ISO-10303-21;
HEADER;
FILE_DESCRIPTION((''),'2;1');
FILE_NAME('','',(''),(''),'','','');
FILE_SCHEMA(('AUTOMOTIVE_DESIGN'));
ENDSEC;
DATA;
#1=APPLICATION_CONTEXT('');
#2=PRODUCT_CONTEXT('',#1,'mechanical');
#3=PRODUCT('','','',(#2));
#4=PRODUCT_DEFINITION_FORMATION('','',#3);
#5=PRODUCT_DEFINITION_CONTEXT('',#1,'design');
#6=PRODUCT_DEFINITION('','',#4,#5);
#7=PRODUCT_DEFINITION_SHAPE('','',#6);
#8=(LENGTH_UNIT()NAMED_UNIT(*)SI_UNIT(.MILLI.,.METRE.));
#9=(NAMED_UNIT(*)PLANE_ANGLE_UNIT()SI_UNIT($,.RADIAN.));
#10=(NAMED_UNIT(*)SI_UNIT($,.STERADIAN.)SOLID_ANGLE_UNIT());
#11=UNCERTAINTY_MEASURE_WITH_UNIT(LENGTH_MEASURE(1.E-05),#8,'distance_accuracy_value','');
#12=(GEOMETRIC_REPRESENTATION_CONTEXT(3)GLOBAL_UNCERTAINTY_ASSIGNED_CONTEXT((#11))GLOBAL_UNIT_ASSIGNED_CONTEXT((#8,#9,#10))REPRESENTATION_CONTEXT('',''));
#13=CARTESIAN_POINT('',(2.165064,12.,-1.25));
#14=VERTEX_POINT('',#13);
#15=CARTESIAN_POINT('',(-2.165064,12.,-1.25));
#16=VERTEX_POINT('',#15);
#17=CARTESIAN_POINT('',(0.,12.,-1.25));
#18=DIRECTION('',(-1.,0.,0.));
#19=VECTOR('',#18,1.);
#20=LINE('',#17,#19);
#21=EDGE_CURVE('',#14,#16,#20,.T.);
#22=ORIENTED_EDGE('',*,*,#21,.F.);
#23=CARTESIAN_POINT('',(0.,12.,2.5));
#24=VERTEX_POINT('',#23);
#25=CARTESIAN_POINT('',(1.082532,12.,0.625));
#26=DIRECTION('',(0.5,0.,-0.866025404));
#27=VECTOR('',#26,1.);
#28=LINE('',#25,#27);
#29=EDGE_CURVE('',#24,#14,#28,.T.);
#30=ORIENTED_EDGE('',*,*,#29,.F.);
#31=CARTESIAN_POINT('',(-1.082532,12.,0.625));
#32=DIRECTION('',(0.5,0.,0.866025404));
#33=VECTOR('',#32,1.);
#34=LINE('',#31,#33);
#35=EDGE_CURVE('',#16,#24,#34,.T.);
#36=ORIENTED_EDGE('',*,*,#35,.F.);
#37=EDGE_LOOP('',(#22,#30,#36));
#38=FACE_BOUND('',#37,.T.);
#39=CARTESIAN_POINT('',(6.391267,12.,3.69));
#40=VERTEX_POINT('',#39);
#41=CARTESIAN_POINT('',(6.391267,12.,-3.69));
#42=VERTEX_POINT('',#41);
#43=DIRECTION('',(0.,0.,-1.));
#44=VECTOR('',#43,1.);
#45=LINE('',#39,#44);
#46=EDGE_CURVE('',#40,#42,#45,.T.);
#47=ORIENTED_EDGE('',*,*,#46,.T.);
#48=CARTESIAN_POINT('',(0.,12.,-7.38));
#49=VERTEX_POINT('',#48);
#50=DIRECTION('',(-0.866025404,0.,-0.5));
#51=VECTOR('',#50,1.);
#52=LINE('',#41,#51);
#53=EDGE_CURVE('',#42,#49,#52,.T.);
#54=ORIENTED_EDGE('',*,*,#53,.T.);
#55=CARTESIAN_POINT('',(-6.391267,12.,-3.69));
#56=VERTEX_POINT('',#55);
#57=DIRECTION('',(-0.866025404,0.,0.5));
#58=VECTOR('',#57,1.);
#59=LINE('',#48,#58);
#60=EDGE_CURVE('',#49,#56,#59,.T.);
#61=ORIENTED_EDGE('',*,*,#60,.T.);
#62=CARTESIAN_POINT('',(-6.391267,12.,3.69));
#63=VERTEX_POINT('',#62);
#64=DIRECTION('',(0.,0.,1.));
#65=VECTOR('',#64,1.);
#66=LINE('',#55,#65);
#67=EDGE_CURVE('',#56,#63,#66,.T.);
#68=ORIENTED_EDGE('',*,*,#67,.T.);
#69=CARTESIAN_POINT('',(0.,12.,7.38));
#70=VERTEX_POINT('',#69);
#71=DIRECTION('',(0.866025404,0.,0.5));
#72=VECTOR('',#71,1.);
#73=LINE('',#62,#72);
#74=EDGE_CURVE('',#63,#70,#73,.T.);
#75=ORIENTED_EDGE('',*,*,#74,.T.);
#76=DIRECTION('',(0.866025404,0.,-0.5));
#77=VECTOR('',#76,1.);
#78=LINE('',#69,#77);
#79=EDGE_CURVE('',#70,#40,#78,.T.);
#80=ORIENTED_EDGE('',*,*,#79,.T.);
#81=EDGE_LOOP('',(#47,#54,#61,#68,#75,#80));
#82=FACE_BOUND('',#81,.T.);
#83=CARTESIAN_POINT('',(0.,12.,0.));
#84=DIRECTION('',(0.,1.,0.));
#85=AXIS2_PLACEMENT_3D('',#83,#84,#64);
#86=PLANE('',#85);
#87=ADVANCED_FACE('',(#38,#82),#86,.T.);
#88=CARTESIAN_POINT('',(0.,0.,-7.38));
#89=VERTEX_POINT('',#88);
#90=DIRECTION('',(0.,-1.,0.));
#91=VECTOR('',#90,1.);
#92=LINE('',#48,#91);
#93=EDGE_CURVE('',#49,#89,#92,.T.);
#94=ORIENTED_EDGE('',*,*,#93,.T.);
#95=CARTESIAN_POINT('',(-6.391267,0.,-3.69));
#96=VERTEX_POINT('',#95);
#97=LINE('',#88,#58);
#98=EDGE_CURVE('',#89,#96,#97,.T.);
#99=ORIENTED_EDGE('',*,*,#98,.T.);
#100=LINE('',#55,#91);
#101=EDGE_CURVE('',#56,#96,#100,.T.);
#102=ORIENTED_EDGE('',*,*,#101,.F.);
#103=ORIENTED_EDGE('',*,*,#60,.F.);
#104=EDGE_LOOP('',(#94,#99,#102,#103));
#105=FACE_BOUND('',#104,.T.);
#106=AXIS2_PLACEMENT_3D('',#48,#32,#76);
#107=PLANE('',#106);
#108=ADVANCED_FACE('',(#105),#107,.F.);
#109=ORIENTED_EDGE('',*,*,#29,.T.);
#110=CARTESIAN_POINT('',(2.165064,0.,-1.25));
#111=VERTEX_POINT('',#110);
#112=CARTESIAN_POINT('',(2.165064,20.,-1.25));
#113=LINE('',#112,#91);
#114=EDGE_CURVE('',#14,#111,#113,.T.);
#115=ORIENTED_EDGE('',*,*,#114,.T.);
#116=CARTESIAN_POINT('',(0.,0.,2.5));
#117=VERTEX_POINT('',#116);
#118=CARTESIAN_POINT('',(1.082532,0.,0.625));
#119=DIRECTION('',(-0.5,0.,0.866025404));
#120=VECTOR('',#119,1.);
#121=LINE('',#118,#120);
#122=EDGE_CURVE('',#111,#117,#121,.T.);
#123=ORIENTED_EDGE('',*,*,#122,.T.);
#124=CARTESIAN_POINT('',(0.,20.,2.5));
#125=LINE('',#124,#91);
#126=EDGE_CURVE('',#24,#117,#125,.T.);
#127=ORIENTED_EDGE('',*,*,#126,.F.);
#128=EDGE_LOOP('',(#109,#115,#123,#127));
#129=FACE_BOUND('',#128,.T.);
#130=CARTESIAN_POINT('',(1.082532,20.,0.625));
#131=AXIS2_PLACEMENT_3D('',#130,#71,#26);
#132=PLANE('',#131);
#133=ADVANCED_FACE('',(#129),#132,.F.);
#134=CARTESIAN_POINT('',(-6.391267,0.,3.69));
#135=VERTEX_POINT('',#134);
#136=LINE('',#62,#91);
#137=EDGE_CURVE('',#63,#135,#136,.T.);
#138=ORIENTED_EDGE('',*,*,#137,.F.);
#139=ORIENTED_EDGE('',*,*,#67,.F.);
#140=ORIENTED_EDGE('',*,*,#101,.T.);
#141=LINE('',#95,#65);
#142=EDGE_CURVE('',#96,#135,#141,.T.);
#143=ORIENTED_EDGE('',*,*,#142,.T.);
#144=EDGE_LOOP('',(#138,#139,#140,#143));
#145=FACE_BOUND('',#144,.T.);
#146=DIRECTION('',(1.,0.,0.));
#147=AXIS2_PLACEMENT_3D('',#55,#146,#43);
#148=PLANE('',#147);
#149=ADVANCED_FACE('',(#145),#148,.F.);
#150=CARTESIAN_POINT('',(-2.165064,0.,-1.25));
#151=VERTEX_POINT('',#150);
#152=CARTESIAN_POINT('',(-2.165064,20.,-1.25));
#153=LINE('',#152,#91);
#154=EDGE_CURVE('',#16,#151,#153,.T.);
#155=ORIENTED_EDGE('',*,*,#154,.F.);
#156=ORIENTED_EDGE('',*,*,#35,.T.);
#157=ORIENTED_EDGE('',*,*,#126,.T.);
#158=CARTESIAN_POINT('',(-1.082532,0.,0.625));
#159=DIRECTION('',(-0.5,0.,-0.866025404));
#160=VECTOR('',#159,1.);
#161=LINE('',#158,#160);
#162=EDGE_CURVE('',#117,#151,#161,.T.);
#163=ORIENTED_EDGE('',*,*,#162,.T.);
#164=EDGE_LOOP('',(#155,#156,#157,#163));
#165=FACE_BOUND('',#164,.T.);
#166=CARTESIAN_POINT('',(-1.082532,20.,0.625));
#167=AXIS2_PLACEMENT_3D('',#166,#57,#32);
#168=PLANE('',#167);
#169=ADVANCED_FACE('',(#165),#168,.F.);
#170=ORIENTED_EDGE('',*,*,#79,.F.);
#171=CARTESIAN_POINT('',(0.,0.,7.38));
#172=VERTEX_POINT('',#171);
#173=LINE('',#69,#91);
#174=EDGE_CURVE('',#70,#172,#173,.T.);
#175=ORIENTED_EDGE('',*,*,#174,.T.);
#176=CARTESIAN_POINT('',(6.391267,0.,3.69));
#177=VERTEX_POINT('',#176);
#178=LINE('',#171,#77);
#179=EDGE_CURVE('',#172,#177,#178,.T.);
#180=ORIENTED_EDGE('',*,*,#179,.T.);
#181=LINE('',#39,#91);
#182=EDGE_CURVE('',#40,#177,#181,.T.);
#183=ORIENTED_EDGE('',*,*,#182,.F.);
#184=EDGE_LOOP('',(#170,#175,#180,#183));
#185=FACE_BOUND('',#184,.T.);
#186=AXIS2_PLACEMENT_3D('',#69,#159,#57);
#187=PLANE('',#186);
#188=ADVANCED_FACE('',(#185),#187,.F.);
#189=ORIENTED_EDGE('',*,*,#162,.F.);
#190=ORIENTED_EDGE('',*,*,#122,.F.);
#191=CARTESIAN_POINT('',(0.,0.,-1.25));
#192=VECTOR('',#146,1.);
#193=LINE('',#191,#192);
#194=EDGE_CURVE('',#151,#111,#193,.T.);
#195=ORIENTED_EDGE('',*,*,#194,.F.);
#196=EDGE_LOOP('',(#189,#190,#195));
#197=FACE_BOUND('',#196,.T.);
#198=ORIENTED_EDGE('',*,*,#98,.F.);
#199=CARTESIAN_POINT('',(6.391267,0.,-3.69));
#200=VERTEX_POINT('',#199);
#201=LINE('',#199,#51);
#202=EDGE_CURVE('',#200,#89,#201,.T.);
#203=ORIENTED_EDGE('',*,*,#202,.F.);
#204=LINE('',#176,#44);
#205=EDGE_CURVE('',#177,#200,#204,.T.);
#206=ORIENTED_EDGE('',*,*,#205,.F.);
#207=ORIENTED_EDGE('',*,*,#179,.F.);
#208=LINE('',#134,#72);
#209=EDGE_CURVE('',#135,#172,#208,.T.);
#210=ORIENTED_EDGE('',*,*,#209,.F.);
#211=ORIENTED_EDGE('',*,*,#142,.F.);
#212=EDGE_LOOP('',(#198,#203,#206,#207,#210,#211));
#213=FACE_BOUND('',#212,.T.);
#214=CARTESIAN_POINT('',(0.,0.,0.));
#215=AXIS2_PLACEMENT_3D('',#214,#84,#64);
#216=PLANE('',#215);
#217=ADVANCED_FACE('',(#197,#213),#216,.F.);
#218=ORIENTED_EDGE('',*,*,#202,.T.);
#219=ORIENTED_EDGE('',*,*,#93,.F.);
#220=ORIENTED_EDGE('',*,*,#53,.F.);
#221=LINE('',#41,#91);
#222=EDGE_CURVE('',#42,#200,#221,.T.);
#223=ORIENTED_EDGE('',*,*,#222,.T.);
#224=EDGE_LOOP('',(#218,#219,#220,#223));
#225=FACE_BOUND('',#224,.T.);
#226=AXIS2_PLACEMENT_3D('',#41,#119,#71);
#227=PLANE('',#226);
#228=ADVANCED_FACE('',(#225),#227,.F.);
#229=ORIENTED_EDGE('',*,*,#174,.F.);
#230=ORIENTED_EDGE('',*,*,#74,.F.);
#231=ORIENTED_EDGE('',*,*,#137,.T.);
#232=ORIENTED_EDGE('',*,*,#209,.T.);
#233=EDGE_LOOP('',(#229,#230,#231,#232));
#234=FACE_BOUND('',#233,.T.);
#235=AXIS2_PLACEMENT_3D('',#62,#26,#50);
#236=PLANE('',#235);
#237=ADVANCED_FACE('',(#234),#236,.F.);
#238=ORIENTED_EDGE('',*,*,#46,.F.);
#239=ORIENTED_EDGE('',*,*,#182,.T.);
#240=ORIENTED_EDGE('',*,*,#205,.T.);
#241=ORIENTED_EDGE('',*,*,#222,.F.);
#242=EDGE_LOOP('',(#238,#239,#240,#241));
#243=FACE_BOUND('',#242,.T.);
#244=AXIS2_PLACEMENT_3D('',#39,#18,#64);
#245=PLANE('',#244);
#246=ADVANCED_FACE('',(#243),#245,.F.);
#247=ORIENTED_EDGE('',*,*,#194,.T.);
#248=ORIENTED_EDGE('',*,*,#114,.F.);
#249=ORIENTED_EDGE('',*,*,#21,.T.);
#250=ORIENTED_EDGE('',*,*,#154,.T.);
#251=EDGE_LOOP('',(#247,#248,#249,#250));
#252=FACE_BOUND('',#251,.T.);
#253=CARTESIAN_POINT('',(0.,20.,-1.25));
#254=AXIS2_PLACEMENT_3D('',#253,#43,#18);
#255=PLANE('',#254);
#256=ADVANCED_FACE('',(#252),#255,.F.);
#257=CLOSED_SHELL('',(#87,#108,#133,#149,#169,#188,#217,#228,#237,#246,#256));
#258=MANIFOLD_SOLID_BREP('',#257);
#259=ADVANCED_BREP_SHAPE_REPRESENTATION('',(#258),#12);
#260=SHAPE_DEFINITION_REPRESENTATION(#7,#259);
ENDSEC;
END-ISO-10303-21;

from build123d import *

# Parameters (mm, degrees)
BOSS_EXTRUDE1_DEPTH = 12
CUT_EXTRUDE1_DEPTH  = 20


with BuildPart() as part:
    # Sketch1 → Boss-Extrude1 (new body)
    with BuildSketch(Plane(origin=(0, 0, 0), x_dir=(1, 0, 0), z_dir=(0, 1, 0))):
        Polygon((0, 7.38), (-6.39126748, 3.69), (-6.39126748, -3.69), (0, -7.38), (6.39126748, -3.69), (6.39126748, 3.69), align=None)
    extrude(amount=BOSS_EXTRUDE1_DEPTH)

    # Sketch2 → Cut-Extrude1 (cut)
    with BuildSketch(Plane.XZ):
        Polygon((-2.165063509, -1.25), (2.165063509, -1.25), (0, 2.5), align=None)
    extrude(amount=-CUT_EXTRUDE1_DEPTH, mode=Mode.SUBTRACT)


solid = part.part
